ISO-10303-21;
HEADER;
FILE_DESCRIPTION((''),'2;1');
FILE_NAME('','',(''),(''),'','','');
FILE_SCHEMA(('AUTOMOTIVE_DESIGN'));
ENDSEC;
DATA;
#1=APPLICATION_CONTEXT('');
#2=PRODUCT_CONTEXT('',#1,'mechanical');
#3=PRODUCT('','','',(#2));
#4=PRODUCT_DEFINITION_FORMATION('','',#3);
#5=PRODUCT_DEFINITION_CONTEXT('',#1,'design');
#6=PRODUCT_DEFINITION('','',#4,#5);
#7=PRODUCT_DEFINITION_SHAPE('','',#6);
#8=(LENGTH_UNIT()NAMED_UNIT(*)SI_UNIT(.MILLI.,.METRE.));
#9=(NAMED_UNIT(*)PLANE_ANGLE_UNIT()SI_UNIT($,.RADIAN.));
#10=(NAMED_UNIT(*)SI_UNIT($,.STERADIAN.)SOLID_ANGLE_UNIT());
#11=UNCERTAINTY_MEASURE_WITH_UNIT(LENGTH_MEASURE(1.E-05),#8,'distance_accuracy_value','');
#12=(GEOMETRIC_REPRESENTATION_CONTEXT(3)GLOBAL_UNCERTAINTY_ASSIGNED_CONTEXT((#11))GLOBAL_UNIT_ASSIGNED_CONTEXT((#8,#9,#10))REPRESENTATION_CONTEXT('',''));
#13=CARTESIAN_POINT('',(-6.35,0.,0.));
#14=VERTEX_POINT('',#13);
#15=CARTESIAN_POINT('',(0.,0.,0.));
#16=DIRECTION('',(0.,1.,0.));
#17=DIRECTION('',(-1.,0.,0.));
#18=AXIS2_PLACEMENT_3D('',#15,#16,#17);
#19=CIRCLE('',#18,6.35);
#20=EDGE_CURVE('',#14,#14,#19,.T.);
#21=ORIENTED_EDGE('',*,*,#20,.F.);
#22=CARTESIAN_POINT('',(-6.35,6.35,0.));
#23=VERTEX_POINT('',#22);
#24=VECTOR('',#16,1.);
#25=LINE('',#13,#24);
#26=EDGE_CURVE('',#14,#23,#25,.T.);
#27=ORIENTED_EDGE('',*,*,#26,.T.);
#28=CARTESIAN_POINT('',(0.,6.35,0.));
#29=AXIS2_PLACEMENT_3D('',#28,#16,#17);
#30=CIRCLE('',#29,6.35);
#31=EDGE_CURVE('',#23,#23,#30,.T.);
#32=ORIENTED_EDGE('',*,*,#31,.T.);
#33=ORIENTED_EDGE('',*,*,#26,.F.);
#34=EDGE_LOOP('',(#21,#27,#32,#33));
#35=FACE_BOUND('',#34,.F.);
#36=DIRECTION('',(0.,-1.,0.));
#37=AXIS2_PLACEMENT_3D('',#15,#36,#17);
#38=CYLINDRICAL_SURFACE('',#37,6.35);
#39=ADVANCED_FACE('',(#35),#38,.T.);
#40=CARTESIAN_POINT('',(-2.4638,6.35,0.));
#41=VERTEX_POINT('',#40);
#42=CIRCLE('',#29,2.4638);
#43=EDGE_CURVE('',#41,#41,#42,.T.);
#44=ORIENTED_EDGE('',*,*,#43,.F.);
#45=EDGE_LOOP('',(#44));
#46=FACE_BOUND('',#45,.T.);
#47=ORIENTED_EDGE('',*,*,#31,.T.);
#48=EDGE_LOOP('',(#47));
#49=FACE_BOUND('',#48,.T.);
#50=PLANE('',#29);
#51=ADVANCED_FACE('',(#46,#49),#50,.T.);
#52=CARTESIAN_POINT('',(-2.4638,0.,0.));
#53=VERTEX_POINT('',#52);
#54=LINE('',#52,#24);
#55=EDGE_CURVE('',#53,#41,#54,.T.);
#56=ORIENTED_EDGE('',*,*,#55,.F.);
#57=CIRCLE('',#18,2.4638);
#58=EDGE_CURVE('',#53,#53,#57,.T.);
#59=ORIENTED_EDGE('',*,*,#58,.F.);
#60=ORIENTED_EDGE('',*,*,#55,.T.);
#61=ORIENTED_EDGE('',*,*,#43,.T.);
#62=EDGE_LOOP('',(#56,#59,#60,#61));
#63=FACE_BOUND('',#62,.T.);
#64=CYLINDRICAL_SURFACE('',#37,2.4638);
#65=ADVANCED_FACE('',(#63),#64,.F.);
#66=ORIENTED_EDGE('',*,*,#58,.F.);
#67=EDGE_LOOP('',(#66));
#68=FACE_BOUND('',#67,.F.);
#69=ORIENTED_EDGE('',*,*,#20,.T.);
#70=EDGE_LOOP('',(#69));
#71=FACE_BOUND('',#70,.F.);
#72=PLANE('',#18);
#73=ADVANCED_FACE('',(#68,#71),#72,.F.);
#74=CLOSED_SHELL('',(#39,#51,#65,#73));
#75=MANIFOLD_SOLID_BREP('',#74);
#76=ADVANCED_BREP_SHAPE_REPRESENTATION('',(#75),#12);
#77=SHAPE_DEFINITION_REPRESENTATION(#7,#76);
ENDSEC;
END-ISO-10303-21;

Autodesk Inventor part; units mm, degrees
ref_plane "YZ Plane" through (0, 0, 0) normal (1, 0, 0) x (0, 1, 0)
ref_plane "XZ Plane" through (0, 0, 0) normal (0, 1, 0) x (-1, 0, 0)
ref_plane "XY Plane" through (0, 0, 0) normal (0, 0, 1) x (1, 0, 0)
sketch "Sketch1" plane through (0, 0, 0) normal (0, 1, 0) x (-1, 0, 0)
  circle A0 centre (0, 0) radius 6.35
  circle A1 centre (0, 0) radius 2.4638
  dimension "d0" = 12.7
  dimension "d1" = 4.9276
extrude "Extrusion1" add sketch "Sketch1" along normal blind 6.35
properties part number "0.25 Inch Spacer" material "Glass"
